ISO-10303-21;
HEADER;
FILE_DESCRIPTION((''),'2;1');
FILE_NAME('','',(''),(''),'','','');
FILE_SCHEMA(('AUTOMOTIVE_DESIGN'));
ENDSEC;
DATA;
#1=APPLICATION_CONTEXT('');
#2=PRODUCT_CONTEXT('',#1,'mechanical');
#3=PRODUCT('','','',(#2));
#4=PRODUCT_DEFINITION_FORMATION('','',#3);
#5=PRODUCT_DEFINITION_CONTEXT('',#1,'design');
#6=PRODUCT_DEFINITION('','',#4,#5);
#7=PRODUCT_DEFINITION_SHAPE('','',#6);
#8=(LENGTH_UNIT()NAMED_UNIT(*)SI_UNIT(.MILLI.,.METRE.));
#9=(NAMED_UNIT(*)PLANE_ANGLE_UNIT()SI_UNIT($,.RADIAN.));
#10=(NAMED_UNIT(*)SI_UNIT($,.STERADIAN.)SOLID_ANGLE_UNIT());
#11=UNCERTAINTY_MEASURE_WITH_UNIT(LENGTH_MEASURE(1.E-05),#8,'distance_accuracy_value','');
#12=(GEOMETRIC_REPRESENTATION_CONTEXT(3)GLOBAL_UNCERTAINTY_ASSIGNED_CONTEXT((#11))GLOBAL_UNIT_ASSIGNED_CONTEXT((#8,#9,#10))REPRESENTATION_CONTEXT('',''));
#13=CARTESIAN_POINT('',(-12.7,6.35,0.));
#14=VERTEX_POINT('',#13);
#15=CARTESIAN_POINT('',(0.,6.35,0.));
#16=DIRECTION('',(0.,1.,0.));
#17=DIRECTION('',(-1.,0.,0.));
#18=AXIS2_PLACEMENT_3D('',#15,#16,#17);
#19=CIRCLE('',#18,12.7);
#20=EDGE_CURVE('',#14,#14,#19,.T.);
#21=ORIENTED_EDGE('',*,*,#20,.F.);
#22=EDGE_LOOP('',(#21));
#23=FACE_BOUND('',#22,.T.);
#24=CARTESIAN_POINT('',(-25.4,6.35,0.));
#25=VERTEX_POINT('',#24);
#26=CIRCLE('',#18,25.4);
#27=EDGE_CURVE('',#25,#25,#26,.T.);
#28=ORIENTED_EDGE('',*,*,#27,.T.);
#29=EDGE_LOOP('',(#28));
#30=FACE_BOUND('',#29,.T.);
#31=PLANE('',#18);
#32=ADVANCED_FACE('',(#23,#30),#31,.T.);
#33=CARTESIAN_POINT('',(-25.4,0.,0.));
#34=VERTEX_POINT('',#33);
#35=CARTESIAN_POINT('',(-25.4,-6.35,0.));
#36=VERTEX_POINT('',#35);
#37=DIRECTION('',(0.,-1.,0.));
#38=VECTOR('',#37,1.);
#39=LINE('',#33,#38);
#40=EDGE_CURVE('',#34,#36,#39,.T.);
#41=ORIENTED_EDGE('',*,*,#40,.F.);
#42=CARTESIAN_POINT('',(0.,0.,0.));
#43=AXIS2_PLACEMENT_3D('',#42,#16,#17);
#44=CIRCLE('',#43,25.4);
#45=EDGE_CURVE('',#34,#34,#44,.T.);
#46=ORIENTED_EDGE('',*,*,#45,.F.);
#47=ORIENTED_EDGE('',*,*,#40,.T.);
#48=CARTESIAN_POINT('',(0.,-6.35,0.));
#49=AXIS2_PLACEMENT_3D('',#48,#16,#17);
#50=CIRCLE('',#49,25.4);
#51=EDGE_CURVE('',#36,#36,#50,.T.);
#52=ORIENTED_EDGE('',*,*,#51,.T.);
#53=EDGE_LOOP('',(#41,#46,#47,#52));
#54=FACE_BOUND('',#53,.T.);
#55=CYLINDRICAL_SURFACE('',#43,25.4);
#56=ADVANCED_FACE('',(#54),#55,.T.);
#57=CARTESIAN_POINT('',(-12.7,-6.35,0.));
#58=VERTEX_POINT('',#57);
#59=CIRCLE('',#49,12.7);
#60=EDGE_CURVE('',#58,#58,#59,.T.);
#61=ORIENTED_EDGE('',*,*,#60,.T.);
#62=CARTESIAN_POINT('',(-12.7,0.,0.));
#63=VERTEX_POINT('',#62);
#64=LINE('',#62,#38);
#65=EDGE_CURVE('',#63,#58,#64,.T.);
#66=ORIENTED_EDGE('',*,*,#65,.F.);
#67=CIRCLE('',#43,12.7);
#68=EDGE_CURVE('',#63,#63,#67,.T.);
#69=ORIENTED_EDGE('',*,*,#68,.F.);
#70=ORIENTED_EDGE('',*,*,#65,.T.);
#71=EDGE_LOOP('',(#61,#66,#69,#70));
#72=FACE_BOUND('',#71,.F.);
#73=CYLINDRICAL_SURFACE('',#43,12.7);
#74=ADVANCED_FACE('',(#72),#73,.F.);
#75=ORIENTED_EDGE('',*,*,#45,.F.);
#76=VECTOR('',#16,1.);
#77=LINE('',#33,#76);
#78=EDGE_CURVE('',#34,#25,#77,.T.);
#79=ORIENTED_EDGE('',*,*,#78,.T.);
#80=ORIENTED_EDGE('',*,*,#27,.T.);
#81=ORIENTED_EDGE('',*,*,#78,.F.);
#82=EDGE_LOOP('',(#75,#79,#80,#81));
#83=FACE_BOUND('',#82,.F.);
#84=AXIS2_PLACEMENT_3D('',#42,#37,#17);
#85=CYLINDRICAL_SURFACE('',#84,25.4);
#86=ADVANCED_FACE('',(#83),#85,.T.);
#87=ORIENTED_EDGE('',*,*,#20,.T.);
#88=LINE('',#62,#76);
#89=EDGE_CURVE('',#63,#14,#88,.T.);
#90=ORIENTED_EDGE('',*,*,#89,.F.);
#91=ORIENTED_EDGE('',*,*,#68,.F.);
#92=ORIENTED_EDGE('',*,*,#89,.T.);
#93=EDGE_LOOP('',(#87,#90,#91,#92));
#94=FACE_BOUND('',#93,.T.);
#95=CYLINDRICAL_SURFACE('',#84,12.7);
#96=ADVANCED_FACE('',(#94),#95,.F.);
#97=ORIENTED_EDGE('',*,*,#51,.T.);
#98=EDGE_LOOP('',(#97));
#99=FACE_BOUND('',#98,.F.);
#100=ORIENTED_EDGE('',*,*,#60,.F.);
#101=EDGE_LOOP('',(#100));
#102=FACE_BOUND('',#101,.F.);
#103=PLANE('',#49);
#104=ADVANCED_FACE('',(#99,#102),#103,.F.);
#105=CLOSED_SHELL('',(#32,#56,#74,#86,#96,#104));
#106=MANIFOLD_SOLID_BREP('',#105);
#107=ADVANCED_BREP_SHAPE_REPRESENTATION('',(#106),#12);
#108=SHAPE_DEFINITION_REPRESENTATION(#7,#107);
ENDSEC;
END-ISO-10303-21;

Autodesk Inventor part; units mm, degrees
ref_plane "YZ Plane" through (0, 0, 0) normal (1, 0, 0) x (0, 1, 0)
ref_plane "XZ Plane" through (0, 0, 0) normal (0, 1, 0) x (-1, 0, 0)
ref_plane "XY Plane" through (0, 0, 0) normal (0, 0, 1) x (1, 0, 0)
sketch "Sketch1" plane through (0, 0, 0) normal (0, 1, 0) x (-1, 0, 0)
  circle A0 centre (0, 0) radius 12.7
  circle A1 centre (0, 0) radius 25.4
  dimension "d0" = 25.4
  dimension "d1" = 50.8
extrude "Extrusion1" add sketch "Sketch1" along normal mid plane 12.7
properties part number "Ball_Bearing_KFuchs"
